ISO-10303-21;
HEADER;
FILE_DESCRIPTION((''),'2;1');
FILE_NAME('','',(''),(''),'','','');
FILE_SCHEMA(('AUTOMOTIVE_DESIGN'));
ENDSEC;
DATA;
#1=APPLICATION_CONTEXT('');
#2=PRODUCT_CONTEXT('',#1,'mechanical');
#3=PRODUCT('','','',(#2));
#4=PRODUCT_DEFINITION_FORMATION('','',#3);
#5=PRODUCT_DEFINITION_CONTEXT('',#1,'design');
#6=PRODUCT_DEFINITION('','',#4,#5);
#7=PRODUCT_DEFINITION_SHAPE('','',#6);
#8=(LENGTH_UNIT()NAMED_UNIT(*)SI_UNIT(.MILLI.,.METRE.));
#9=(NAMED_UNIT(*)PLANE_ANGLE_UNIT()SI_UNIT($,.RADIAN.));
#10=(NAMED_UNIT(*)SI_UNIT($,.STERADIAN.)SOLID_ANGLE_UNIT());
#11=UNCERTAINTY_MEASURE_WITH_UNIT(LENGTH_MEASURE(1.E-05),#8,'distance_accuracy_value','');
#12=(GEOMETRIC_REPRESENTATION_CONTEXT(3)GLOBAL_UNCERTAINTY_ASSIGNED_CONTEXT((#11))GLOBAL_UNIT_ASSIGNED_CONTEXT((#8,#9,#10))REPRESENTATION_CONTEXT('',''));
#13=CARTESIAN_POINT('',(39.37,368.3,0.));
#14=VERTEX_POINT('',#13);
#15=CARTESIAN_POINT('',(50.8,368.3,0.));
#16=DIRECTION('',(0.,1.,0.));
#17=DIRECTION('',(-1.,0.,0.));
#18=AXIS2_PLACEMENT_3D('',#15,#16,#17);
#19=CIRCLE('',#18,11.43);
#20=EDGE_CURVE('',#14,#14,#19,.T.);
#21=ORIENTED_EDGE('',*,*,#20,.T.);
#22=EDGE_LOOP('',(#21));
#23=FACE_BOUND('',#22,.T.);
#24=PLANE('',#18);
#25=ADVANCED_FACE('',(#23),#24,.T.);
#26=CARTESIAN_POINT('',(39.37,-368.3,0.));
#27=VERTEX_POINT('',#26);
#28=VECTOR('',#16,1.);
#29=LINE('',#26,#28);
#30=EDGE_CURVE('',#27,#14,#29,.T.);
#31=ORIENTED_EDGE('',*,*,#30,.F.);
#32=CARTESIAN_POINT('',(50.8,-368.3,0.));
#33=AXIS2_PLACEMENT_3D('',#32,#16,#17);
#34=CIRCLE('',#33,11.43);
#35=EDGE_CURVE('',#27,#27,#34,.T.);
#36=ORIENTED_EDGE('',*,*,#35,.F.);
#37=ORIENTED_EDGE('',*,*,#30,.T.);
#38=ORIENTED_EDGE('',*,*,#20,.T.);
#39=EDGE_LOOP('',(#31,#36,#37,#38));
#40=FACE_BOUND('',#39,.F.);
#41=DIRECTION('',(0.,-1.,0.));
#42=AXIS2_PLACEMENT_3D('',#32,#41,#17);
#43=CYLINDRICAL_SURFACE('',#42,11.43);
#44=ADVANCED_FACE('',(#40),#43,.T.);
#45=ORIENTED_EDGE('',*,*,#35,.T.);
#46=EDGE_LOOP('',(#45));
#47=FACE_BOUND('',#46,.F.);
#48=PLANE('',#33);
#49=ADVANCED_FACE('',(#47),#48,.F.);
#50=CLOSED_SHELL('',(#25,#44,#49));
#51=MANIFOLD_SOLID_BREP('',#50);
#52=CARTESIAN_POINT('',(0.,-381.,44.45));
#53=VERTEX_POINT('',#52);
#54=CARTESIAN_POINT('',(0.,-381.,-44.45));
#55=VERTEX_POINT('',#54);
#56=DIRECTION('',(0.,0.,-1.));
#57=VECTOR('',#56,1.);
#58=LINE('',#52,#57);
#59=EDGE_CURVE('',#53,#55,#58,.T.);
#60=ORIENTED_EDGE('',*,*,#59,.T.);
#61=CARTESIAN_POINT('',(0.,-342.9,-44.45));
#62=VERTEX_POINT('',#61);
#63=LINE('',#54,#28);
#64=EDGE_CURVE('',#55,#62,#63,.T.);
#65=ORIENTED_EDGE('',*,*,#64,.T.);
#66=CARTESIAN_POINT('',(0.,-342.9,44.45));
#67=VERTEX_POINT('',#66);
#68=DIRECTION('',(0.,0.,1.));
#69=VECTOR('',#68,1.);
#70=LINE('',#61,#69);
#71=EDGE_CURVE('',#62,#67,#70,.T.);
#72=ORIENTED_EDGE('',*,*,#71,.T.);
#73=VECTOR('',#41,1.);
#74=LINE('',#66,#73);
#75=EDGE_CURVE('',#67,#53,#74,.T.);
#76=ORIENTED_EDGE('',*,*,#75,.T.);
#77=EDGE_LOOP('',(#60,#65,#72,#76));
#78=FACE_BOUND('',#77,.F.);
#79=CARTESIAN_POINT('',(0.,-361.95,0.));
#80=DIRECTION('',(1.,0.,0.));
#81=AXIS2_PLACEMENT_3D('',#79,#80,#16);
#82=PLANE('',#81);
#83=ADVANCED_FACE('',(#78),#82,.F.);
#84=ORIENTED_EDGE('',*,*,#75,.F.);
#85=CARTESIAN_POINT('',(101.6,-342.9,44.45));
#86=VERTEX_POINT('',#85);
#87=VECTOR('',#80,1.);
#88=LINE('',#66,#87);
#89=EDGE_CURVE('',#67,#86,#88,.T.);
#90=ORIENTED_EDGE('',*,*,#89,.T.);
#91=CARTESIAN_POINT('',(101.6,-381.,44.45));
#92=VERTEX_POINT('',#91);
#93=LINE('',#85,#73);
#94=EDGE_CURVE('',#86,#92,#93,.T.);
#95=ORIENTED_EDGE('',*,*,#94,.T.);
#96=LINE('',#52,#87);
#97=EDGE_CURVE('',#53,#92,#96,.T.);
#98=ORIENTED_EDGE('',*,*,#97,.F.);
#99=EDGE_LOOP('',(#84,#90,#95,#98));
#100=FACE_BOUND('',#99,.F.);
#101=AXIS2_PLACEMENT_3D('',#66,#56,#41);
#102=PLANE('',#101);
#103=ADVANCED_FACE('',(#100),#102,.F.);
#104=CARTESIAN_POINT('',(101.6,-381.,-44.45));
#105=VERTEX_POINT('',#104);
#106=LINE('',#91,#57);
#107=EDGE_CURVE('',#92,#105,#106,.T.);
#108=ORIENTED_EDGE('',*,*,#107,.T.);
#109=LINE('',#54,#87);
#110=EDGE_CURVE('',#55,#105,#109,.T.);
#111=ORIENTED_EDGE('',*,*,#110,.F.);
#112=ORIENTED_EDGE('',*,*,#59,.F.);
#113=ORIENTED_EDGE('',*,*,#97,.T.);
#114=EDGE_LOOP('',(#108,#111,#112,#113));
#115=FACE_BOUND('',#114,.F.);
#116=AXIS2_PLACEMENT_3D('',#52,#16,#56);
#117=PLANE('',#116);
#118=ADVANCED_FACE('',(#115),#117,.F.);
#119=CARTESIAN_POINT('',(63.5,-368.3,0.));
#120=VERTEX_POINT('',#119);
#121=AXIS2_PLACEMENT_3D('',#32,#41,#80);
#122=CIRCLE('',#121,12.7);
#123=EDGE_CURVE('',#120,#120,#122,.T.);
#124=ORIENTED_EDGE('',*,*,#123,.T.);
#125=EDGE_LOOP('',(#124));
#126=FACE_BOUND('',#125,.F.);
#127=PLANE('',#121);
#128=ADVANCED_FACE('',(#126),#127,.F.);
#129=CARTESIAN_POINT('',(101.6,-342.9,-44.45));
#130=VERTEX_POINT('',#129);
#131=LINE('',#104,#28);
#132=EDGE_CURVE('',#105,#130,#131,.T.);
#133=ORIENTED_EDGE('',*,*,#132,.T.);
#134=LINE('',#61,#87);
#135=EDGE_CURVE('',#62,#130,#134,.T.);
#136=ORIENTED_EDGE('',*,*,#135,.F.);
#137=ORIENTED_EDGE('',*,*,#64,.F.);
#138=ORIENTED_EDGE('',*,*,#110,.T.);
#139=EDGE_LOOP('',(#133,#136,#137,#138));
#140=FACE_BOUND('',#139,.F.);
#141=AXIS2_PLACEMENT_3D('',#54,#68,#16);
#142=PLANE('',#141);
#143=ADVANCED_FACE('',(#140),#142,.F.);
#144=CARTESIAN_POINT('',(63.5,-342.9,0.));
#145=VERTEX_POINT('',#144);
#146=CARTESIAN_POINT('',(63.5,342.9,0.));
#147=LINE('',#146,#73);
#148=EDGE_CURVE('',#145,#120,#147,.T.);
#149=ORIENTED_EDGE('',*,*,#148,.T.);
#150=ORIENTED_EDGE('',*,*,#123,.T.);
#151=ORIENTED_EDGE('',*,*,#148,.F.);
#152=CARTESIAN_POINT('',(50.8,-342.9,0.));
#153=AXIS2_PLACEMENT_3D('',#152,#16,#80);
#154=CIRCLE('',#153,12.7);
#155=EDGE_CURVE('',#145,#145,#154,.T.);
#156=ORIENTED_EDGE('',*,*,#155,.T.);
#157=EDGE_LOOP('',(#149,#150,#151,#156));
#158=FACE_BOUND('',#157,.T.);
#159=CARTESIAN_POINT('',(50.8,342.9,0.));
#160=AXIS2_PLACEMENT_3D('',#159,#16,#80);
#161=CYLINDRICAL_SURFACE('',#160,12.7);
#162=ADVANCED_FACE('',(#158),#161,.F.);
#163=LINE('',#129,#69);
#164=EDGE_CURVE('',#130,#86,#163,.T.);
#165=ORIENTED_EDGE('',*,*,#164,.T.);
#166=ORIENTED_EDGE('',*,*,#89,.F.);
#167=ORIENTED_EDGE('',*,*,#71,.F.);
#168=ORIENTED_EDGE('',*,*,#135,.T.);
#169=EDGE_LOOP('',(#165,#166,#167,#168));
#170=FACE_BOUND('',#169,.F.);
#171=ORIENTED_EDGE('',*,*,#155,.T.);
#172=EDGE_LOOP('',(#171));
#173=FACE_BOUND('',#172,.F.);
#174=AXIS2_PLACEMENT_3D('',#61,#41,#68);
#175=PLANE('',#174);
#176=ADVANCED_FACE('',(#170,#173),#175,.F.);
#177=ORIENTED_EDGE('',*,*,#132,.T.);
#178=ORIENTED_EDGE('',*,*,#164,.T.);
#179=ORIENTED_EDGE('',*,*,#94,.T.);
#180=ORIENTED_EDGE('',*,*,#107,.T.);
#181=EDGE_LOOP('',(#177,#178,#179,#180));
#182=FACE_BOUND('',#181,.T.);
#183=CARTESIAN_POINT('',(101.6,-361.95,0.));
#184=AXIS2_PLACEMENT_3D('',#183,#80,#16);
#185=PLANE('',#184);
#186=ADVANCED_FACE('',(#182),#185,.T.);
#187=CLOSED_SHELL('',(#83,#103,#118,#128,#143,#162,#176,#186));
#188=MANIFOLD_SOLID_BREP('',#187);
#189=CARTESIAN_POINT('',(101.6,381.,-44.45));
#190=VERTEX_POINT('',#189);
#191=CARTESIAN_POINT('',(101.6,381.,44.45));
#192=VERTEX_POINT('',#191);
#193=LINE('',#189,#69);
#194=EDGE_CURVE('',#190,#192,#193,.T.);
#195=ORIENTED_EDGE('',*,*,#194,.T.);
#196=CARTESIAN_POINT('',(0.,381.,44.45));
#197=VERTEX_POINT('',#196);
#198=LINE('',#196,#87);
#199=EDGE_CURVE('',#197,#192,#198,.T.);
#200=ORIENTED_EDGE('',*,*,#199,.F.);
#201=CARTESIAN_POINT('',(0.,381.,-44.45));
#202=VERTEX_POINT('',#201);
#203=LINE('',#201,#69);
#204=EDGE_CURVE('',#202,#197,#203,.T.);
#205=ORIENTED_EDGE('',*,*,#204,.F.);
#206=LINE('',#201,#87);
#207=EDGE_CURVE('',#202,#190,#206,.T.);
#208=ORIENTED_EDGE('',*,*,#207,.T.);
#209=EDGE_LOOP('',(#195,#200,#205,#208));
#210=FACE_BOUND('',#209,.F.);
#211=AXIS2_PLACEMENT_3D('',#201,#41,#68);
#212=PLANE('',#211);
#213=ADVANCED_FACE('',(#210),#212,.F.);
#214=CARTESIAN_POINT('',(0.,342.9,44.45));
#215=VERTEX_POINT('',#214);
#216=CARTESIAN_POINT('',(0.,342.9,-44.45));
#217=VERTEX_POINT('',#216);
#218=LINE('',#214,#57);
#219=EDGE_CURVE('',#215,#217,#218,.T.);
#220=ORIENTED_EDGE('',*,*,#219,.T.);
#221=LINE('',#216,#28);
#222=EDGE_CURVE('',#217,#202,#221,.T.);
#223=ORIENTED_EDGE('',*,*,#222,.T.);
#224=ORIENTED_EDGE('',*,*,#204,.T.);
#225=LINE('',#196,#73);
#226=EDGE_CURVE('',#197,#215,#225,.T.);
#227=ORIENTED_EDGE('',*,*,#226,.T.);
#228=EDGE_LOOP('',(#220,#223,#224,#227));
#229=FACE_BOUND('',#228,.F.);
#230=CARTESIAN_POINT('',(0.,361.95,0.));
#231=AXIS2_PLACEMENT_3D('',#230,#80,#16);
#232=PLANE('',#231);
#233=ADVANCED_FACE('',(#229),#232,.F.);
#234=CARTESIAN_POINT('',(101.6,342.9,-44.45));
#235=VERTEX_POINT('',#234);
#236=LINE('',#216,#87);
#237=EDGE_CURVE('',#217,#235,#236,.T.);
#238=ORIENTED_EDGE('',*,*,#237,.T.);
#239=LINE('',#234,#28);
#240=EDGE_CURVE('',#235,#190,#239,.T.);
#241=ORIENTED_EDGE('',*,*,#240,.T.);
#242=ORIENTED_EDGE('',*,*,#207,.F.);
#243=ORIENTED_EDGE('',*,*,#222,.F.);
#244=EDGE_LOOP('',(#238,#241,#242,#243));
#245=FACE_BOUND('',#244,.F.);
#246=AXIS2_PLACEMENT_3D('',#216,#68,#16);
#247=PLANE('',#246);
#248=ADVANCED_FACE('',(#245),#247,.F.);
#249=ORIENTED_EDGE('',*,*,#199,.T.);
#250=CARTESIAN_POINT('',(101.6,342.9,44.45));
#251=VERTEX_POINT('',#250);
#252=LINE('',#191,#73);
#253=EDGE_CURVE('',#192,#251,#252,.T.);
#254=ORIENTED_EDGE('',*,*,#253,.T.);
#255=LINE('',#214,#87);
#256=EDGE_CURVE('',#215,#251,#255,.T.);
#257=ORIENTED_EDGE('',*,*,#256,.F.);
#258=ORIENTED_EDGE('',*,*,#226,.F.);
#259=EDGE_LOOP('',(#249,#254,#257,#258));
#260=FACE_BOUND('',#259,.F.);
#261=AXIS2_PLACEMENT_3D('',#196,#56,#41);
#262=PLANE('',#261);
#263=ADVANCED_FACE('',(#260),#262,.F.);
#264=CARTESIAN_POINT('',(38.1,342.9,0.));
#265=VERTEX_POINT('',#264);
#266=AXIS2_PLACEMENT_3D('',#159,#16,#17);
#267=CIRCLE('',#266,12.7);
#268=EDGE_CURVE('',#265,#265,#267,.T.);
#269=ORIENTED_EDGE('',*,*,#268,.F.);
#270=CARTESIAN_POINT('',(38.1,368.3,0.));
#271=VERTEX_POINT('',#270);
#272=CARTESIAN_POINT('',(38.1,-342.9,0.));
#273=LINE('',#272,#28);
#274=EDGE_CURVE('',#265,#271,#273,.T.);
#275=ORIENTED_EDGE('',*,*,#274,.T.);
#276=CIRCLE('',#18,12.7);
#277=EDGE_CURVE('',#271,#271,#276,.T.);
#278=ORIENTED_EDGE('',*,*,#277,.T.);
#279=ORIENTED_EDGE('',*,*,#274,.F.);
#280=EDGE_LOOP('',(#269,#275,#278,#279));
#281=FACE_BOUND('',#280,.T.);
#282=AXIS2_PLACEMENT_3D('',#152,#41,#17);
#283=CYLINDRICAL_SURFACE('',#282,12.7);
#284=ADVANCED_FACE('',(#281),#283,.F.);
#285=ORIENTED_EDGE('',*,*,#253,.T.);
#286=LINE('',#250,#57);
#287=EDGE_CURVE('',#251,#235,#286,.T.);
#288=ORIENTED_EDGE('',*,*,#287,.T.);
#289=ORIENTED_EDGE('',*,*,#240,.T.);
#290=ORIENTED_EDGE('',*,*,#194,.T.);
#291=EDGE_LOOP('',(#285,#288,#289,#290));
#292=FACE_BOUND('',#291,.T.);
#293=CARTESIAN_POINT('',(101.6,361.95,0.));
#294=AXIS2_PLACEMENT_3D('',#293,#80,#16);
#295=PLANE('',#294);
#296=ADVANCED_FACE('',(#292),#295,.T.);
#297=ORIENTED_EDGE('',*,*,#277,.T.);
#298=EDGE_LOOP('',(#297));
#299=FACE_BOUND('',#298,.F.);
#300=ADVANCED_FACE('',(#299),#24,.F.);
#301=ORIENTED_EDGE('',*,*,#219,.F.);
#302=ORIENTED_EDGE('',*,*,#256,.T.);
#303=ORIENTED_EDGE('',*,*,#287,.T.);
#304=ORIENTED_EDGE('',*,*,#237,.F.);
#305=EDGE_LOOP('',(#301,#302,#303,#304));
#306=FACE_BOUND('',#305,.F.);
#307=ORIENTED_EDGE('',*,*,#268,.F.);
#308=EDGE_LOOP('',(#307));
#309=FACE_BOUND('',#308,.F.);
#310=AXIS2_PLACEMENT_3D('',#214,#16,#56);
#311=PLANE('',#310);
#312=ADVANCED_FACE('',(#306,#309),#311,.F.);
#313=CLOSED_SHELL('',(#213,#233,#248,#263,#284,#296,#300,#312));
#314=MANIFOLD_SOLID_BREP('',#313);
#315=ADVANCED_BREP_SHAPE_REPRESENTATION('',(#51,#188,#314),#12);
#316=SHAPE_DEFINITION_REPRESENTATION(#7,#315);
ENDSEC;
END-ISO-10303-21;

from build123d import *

# Parameters (mm, degrees)
F1_DEPTH = 101.6
F2_R     = 12.7
F3_DEPTH = 711.2
F4_R     = 12.7
F5_DEPTH = 711.2
F6_R     = 11.43
F7_DEPTH = 736.6


with BuildPart() as f1:
    # F0 (on Right) → F1 (new body)
    with BuildSketch(Plane.YZ):
        Polygon((-342.9, -44.45), (-342.9, 0), (-342.9, 44.45), (-381, 44.45), (-381, -44.45), align=None)
        Polygon((342.9, 44.45), (342.9, 0), (342.9, -44.45), (381, -44.45), (381, 44.45), align=None)
    extrude(amount=F1_DEPTH)

    # F2 (on face) → F3 (cut)
    with BuildSketch(Plane(origin=(0, -342.9, 0), x_dir=(-1, 0, 0), z_dir=(0, 1, 0))):
        with Locations((-50.8, 0)):
            Circle(F2_R)
    extrude(amount=F3_DEPTH, mode=Mode.SUBTRACT)

    # F4 (on face) → F5 (cut)
    with BuildSketch(Plane.XZ.offset(-342.9)):
        with Locations((50.8, 0)):
            Circle(F4_R)
    extrude(amount=F5_DEPTH, mode=Mode.SUBTRACT)


with BuildPart() as f7:
    # F6 (on face) → F7 (new body)
    with BuildSketch(Plane(origin=(0, -368.3, 0), x_dir=(-1, 0, 0), z_dir=(0, 1, 0))):
        with Locations((-50.8, 0)):
            Circle(F6_R)
    extrude(amount=F7_DEPTH)


solid = Compound([f1.part, f7.part])
